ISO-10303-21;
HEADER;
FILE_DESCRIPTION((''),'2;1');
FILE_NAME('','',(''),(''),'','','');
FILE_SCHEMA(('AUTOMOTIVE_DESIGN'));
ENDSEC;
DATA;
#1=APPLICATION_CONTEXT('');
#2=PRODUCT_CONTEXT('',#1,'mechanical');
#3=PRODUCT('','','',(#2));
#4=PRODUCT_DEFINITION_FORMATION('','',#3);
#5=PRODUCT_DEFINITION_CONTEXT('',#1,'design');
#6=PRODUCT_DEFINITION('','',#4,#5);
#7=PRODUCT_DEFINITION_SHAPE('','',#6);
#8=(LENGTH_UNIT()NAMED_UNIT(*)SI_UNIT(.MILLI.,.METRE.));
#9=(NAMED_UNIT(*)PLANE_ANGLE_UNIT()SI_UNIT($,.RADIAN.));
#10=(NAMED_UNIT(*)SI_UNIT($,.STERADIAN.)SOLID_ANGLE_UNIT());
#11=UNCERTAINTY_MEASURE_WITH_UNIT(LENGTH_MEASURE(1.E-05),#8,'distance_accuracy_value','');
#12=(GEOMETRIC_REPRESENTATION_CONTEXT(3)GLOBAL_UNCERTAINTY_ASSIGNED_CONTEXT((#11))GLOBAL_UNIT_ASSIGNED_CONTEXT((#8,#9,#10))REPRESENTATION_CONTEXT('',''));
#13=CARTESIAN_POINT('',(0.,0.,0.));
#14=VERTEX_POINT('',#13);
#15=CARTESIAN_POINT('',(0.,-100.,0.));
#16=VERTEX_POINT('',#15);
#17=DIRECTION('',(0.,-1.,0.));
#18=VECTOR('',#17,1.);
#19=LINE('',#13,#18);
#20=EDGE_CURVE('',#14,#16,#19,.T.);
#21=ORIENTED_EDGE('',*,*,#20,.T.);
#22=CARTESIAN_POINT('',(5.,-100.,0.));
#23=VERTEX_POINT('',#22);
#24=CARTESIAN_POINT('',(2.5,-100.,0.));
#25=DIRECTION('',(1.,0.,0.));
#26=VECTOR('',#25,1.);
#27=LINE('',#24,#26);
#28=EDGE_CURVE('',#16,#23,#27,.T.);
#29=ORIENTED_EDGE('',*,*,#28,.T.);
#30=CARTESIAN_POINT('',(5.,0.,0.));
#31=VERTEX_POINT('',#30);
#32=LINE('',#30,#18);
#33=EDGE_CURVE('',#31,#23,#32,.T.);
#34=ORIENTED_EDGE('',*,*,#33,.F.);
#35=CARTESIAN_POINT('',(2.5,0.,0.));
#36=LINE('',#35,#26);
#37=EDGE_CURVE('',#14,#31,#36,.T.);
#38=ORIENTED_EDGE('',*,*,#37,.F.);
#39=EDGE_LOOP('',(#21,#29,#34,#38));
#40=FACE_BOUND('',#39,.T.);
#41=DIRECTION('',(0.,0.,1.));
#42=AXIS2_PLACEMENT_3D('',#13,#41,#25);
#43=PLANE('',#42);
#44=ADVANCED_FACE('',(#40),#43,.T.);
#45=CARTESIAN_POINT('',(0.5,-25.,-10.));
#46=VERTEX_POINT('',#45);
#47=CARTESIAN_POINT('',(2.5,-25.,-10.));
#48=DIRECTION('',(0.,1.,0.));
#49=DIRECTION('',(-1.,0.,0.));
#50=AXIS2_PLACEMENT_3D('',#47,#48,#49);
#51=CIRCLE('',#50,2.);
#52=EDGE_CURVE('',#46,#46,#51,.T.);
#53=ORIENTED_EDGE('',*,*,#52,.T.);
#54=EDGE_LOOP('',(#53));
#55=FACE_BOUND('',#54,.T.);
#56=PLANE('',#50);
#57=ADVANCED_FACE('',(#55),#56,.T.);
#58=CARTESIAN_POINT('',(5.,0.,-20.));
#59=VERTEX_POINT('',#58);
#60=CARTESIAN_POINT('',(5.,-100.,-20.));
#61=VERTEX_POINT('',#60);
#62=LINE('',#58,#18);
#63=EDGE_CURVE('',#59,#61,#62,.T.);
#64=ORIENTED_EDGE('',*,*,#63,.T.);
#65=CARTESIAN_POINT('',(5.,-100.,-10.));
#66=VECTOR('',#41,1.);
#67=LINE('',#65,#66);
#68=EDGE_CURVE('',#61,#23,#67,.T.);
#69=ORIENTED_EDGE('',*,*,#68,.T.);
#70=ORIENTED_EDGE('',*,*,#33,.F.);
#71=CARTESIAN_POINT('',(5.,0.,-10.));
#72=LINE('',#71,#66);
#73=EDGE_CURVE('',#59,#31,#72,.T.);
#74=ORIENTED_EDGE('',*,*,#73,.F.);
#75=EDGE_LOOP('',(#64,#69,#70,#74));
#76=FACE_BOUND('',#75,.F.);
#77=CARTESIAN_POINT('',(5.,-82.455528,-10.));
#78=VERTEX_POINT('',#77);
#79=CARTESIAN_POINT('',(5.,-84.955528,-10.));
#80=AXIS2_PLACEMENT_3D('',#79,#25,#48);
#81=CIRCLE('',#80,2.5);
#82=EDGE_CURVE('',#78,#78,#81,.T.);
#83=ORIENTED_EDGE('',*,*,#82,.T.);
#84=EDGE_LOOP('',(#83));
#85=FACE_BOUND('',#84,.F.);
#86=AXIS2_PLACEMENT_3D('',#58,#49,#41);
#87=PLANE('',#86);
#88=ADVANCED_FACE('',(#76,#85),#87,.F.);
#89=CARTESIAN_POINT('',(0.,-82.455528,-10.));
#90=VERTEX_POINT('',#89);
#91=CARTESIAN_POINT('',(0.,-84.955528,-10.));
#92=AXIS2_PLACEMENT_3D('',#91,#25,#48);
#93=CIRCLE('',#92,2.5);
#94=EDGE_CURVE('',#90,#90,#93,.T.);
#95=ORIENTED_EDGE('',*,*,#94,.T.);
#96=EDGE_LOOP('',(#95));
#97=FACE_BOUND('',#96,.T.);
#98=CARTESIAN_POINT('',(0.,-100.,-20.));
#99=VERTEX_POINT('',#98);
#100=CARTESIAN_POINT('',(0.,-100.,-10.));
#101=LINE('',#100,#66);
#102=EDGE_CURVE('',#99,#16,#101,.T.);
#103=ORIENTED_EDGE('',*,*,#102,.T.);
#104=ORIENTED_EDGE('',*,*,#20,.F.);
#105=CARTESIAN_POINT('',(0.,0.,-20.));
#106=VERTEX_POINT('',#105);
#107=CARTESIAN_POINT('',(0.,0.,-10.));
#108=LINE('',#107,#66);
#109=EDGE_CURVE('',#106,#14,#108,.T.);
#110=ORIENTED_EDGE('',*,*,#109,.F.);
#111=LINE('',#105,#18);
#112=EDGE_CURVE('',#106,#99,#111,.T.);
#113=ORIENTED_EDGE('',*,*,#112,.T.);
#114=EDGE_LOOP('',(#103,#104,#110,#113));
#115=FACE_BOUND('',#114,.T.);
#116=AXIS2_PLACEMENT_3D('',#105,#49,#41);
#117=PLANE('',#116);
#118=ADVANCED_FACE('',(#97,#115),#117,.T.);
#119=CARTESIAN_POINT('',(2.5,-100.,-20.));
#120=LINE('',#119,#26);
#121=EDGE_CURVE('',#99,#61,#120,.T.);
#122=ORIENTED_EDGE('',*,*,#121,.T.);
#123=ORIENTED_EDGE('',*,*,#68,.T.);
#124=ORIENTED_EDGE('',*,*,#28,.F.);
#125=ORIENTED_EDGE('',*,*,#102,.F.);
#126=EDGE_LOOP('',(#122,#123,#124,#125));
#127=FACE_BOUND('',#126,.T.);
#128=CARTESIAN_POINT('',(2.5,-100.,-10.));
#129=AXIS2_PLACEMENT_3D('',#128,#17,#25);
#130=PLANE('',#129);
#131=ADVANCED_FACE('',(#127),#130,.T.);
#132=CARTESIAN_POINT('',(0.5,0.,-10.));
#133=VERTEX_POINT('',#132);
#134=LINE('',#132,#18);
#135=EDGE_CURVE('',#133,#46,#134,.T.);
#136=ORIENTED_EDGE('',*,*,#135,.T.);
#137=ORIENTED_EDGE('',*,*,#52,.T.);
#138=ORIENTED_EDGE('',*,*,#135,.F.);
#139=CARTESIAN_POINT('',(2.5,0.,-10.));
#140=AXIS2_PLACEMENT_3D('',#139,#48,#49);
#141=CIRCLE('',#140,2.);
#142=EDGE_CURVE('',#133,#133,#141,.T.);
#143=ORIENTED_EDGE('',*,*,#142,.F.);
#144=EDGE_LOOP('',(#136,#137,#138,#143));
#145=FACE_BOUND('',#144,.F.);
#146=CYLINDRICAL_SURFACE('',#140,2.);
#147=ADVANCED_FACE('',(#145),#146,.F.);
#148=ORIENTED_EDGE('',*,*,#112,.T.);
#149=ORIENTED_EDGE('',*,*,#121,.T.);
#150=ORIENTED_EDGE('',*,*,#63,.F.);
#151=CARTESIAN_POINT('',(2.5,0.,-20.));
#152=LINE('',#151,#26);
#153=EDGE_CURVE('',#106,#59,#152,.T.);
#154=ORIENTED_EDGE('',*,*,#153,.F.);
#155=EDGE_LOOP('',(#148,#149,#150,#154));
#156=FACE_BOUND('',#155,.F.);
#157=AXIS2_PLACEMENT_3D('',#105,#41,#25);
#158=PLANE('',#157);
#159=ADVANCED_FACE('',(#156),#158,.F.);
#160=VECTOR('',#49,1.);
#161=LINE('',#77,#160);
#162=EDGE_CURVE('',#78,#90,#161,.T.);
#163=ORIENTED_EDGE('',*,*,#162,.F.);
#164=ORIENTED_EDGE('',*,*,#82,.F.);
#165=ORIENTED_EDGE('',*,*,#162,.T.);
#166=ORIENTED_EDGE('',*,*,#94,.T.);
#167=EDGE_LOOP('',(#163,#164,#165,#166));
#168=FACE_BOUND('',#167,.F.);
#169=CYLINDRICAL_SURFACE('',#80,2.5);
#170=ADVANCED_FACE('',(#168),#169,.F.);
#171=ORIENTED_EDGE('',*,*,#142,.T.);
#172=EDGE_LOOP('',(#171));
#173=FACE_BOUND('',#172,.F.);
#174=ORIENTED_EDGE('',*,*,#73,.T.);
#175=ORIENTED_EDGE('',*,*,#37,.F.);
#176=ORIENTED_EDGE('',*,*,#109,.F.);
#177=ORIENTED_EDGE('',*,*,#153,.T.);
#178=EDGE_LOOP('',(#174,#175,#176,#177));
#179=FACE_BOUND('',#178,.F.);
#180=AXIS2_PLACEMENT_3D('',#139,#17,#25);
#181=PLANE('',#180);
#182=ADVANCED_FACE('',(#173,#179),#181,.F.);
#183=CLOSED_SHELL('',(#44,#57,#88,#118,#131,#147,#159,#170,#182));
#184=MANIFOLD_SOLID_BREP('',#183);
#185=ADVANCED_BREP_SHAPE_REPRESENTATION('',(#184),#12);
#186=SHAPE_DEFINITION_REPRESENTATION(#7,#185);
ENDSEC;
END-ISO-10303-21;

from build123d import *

# Parameters (mm, degrees)
F0_W     = 5
F0_H     = 20
F1_DEPTH = 100
F2_R     = 2
F3_DEPTH = 25
F4_R     = 2.5
F5_DEPTH = 5.001


with BuildPart() as f1:
    # F0 (on Front) → F1 (new body)
    with BuildSketch(Plane.XZ):
        with Locations((2.5, -10)):
            Rectangle(F0_W, F0_H)
    extrude(amount=F1_DEPTH)

    # F2 (on face) → F3 (cut)
    with BuildSketch(Plane(origin=(0, 0, 0), x_dir=(-1, 0, 0), z_dir=(0, 1, 0))):
        with Locations((-2.5, -10)):
            Circle(F2_R)
    extrude(amount=-F3_DEPTH, mode=Mode.SUBTRACT)

    # F4 (on face) → F5 (cut, through all)
    with BuildSketch(Plane.YZ.offset(5)):
        with Locations((-84.955528, -10)):
            Circle(F4_R)
    extrude(amount=-F5_DEPTH, mode=Mode.SUBTRACT)


solid = f1.part
